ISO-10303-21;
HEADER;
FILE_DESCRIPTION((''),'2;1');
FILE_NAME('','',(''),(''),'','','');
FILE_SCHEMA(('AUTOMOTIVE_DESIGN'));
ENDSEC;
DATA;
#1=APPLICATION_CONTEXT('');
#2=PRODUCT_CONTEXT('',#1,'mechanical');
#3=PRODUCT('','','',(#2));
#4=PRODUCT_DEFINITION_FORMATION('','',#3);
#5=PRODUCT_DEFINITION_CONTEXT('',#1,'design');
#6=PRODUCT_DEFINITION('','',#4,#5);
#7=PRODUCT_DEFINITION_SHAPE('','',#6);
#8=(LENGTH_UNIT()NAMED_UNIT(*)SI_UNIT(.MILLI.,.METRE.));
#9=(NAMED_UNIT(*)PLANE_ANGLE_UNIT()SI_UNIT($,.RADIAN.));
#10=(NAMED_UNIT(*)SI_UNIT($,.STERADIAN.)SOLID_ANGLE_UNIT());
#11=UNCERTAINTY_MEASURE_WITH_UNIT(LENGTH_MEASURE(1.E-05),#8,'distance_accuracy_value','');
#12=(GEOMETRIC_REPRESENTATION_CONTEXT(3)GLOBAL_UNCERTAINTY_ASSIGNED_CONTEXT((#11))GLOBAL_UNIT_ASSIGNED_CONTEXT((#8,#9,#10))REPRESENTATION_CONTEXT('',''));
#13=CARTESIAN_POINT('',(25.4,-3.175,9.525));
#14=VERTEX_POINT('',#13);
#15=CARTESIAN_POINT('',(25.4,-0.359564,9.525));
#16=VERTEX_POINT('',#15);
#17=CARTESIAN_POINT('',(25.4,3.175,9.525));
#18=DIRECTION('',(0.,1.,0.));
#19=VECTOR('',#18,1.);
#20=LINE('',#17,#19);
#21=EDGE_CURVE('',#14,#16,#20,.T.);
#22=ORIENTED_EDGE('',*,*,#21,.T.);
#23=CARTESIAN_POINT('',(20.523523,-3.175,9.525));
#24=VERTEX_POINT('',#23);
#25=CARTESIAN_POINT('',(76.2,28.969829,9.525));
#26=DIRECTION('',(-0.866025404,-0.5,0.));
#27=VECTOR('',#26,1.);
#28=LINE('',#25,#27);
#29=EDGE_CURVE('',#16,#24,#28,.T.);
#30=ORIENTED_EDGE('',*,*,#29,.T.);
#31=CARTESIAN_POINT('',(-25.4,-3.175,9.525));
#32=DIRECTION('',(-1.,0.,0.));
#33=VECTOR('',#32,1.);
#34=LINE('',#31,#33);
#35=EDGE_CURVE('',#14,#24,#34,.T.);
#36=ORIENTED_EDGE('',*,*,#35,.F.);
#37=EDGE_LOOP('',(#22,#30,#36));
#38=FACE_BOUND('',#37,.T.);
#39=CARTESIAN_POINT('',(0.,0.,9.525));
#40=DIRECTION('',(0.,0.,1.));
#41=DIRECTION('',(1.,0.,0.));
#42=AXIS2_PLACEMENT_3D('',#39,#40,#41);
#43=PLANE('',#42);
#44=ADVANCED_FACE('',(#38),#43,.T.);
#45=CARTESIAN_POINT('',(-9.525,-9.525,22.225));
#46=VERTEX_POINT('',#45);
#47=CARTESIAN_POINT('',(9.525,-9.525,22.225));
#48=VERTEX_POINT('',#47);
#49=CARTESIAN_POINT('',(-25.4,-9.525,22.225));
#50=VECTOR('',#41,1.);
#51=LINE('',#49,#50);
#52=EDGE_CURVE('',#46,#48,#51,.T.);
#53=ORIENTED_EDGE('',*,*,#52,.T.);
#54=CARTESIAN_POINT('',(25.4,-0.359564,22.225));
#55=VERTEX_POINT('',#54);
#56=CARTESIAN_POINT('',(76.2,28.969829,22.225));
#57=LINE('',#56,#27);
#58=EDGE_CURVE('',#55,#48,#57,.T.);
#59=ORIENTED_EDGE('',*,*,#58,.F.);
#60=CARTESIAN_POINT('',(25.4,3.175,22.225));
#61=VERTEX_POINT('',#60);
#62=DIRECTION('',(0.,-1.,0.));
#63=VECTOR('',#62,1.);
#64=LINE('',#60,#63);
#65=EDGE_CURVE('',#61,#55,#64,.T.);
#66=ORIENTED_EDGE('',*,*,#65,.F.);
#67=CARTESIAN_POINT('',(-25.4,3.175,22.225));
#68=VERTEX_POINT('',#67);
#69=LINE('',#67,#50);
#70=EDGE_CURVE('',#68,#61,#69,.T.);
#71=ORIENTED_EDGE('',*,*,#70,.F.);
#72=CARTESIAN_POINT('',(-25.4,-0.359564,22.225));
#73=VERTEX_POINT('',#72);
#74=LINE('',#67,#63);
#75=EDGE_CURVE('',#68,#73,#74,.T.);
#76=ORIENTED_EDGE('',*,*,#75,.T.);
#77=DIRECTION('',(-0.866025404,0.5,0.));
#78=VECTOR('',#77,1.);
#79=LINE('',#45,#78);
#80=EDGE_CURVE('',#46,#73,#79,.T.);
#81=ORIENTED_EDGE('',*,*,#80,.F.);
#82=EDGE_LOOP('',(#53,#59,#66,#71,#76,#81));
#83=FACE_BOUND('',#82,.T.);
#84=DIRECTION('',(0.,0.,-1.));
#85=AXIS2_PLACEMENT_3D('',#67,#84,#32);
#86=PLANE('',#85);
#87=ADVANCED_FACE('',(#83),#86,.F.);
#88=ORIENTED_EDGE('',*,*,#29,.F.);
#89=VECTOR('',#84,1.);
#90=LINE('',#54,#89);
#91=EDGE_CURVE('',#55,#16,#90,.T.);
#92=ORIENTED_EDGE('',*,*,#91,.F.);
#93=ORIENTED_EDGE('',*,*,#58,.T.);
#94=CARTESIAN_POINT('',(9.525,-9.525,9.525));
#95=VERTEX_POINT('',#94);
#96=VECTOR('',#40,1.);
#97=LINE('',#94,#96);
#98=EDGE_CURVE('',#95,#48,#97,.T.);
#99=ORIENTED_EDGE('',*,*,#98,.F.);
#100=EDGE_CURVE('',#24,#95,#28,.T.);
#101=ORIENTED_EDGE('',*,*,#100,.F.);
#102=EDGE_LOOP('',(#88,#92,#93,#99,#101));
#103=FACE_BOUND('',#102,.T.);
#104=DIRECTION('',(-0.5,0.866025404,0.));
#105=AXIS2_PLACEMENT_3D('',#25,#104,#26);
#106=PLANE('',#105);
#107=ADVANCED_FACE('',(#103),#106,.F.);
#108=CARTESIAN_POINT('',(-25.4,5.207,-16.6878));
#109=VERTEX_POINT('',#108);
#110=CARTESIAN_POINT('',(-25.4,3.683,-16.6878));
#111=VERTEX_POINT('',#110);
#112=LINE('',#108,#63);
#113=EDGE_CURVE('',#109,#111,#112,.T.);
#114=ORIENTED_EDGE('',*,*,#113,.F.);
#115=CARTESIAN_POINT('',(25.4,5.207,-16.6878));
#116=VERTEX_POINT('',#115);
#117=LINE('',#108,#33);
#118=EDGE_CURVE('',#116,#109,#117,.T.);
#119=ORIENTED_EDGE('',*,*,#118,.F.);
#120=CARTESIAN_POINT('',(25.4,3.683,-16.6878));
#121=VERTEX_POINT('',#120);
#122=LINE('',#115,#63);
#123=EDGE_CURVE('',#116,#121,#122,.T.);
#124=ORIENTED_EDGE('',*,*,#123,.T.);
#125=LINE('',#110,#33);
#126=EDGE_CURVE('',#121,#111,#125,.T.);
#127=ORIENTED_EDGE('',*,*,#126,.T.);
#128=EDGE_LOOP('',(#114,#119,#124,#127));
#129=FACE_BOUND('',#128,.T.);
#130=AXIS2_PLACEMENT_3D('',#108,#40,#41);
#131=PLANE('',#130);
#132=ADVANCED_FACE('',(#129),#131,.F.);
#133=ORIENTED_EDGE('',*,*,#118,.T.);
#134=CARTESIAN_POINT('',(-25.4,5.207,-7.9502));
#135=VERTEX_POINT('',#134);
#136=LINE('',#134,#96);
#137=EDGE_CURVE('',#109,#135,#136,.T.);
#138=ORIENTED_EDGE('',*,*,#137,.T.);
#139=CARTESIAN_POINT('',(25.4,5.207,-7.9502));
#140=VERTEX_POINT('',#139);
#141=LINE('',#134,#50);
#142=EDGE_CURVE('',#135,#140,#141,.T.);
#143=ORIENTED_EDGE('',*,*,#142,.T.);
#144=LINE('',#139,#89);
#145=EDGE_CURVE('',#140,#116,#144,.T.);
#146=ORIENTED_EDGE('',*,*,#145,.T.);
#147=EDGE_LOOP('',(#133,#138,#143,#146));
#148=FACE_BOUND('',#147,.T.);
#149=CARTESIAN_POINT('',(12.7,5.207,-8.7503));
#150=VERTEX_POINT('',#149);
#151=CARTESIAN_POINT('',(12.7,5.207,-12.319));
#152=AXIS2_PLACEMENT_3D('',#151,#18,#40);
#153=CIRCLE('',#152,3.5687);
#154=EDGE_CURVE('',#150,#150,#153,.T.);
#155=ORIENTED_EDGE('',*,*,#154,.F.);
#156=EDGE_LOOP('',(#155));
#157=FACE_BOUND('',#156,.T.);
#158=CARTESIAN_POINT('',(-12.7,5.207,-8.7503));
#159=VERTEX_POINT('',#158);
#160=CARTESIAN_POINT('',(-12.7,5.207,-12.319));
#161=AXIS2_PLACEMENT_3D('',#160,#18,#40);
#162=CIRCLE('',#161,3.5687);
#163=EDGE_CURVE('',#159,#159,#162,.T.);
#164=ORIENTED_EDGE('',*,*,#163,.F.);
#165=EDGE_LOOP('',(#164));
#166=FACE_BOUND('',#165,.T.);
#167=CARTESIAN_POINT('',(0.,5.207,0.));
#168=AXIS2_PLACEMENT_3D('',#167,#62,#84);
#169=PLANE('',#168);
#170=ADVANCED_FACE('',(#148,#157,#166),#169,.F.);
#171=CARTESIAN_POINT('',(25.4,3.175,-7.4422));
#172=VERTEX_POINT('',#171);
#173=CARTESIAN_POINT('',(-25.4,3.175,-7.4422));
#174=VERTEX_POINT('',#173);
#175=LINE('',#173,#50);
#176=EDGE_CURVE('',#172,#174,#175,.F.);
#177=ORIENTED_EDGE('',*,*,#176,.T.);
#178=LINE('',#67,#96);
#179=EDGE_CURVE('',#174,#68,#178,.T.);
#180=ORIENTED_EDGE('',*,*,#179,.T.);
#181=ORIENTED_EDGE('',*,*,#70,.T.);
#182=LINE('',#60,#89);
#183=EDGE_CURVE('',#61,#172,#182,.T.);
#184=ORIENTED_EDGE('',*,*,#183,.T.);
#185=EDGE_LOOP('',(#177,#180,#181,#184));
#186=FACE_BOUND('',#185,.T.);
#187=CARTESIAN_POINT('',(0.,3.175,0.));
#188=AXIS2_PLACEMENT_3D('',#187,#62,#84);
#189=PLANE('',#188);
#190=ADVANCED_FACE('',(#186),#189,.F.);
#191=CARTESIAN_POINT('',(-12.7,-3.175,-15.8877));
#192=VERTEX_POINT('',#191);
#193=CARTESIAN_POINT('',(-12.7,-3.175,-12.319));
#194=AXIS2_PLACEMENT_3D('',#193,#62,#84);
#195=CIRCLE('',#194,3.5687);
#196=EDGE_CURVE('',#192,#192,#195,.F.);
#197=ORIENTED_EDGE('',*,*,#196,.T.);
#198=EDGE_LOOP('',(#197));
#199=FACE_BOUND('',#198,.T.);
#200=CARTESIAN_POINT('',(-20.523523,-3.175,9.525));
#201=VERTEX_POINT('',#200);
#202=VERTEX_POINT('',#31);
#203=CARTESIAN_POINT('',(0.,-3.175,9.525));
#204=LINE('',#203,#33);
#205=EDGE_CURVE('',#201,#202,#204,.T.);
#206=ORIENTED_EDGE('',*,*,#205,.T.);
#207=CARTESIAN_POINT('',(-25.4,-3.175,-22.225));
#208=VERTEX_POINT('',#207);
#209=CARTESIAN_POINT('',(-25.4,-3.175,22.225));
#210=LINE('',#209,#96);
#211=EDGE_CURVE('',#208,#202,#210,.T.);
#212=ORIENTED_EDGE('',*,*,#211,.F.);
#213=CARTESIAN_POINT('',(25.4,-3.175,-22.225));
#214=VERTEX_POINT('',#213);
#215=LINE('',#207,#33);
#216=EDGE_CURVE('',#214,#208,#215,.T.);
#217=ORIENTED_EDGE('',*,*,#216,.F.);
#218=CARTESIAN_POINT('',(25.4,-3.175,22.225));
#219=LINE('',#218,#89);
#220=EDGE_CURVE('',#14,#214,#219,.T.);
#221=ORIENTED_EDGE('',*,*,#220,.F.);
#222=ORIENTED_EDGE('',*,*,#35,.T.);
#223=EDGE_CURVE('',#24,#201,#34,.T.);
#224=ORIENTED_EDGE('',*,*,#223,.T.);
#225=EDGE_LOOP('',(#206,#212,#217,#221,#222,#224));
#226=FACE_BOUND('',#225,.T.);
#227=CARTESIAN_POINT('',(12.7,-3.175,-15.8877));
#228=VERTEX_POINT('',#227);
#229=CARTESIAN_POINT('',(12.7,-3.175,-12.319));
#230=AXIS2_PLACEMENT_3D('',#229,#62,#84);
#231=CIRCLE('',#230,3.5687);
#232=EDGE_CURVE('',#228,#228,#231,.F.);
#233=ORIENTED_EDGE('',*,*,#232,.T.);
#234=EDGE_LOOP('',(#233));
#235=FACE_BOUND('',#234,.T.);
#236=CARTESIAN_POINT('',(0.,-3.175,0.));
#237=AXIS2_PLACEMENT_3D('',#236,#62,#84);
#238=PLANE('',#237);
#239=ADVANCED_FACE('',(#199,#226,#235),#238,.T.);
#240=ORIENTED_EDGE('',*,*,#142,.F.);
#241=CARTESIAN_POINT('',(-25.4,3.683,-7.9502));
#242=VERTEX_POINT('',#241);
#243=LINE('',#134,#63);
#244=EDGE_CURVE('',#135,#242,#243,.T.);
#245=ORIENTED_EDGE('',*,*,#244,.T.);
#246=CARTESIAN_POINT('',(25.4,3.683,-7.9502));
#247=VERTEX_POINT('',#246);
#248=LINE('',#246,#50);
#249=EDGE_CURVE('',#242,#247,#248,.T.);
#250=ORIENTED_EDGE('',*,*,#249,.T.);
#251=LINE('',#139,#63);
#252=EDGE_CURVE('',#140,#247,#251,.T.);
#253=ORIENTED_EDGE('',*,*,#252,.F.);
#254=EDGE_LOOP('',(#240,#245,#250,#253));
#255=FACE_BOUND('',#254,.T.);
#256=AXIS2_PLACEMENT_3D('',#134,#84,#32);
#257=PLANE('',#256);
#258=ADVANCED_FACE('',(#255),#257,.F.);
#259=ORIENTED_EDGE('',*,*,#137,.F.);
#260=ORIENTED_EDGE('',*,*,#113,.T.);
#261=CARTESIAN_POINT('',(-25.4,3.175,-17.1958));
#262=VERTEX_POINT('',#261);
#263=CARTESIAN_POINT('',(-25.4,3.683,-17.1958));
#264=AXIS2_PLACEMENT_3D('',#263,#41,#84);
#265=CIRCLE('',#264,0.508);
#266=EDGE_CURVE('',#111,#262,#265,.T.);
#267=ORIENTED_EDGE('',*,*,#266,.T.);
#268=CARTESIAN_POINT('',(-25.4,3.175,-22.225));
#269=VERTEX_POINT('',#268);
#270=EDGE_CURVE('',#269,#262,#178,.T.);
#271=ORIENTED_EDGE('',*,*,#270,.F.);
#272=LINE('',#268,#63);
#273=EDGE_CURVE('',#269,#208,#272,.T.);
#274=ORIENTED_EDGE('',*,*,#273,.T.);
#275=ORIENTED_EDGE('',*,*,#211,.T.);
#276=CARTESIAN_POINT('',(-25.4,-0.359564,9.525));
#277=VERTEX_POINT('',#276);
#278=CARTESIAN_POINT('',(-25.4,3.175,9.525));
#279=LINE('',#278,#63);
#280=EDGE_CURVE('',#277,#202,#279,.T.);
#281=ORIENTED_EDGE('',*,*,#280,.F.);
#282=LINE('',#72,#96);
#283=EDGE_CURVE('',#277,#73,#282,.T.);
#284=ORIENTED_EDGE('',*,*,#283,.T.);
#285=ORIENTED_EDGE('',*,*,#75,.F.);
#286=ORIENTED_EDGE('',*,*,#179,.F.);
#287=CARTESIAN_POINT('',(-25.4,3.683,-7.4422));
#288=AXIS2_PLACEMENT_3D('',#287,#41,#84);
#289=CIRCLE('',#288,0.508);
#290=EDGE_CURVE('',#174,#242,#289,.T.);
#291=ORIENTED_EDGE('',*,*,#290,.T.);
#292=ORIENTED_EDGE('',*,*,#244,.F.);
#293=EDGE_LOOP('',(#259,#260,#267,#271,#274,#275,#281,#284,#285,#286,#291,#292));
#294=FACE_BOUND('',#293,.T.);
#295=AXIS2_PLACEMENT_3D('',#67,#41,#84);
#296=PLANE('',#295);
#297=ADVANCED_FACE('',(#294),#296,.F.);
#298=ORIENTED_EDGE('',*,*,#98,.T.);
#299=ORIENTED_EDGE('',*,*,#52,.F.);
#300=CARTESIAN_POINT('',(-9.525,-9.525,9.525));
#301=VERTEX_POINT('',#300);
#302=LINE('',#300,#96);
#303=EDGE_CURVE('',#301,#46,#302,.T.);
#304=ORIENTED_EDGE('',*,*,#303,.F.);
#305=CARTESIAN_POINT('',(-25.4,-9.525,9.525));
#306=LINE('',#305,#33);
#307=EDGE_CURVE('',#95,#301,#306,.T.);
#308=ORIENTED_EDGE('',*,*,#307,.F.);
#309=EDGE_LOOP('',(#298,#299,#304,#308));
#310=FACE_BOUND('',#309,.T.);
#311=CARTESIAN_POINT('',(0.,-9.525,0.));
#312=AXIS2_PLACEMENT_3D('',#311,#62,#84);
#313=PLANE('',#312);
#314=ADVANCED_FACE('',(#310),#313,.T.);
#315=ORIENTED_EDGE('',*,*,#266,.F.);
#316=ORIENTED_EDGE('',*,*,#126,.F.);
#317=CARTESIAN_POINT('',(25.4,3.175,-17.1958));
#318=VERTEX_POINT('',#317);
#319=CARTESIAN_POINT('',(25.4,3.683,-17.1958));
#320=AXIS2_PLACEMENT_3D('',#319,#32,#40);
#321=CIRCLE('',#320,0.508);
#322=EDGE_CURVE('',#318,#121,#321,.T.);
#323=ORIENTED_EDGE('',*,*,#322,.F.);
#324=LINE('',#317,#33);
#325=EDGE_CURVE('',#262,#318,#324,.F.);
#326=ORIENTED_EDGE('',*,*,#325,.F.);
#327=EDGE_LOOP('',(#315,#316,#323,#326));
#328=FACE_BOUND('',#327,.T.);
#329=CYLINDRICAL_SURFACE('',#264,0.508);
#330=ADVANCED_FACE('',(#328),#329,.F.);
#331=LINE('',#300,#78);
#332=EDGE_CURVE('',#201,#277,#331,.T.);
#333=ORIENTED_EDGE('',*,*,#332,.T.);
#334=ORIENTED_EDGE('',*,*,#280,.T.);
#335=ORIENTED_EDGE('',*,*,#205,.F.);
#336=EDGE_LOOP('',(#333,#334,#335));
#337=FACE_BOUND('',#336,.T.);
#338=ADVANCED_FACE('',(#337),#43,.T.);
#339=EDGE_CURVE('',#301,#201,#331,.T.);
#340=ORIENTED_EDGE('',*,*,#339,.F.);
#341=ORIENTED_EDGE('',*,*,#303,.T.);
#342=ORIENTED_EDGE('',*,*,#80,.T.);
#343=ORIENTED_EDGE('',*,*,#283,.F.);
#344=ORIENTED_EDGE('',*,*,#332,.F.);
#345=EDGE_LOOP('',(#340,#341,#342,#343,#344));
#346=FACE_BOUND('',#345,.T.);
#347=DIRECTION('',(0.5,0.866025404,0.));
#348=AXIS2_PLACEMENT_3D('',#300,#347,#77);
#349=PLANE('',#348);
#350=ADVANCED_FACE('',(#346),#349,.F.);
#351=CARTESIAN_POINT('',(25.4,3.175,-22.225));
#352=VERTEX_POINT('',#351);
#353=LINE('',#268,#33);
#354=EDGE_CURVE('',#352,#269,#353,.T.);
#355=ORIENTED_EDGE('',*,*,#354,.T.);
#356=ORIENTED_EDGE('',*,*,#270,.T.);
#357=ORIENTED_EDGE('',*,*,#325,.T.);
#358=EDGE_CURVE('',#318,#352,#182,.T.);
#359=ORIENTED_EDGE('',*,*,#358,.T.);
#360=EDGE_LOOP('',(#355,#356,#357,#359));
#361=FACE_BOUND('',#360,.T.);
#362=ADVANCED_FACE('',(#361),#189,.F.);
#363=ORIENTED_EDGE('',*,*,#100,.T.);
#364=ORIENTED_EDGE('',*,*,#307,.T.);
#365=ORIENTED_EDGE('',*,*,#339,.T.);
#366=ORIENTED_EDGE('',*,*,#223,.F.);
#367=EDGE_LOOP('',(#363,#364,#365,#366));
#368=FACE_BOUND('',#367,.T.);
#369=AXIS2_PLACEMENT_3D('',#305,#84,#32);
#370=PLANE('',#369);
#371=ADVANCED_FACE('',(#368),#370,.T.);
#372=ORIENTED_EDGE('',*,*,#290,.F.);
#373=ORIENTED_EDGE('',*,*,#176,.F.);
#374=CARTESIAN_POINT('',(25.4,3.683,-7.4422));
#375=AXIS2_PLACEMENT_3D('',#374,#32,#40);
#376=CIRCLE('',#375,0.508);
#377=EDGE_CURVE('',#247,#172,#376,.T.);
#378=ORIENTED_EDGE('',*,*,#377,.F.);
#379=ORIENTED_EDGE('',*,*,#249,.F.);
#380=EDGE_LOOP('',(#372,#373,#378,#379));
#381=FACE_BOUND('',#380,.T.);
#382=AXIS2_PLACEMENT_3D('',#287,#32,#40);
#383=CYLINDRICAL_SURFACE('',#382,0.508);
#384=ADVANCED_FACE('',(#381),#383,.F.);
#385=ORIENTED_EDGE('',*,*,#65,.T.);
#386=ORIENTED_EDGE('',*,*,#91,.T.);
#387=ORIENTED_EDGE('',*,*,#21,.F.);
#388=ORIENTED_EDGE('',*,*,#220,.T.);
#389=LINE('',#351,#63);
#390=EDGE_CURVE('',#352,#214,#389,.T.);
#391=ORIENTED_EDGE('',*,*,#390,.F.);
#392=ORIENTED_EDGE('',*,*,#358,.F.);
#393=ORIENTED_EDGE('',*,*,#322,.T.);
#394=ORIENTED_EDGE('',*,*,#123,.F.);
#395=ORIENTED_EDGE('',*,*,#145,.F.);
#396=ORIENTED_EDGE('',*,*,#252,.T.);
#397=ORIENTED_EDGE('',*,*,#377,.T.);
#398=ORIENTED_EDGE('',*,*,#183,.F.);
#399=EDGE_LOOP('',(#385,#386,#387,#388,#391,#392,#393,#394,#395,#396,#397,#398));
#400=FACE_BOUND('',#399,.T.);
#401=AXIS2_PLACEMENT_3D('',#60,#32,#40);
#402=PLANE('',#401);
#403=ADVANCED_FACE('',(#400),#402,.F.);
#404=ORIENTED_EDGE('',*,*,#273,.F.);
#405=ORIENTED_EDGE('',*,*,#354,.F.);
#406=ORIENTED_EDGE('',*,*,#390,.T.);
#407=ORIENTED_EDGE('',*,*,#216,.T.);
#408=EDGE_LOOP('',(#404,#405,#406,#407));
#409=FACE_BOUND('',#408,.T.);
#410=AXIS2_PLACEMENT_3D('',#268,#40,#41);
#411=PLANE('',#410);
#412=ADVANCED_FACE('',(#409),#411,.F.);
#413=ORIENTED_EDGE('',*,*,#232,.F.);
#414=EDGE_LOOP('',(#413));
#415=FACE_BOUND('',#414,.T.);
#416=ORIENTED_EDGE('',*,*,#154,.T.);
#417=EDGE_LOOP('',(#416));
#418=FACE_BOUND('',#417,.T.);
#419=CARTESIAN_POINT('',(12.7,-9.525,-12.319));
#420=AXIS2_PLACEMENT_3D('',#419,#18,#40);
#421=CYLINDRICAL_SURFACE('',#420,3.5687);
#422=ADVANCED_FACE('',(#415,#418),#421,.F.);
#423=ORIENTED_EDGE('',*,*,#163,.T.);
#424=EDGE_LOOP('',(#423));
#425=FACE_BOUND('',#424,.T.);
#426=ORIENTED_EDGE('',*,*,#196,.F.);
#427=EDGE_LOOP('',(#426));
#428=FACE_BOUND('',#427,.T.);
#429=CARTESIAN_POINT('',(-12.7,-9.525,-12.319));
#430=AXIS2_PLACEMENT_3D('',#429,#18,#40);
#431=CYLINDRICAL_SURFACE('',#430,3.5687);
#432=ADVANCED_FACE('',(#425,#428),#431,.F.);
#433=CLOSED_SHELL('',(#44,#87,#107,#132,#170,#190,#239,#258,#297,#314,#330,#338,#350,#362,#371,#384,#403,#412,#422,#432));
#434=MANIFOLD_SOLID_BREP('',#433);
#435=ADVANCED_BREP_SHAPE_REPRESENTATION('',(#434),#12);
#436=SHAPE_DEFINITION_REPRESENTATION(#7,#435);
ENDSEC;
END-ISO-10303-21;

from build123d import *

# Parameters (mm, degrees)
SKETCH1_W           = 50.8
SKETCH1_H           = 44.45
BOSS_EXTRUDE1_DEPTH = 3.175
BOSS_EXTRUDE2_START = -3.175
SKETCH2_W           = 50.8
SKETCH2_H           = 12.7
BOSS_EXTRUDE2_DEPTH = 6.35
BOSS_EXTRUDE3_START = 3.175
SKETCH3_W           = 50.8
SKETCH3_H           = 8.7376
BOSS_EXTRUDE3_DEPTH = 2.032
CUT_EXTRUDE2_START  = 22.225
CUT_EXTRUDE2_DEPTH  = 12.7
CUT_EXTRUDE4_START  = 22.225
CUT_EXTRUDE4_DEPTH  = 12.7
CUT_EXTRUDE6_START  = 5.207
SKETCH6_R           = 3.5687
CUT_EXTRUDE6_DEPTH  = 9.525
FILLET1_R           = 0.508


with BuildPart() as part:
    # Sketch1 → Boss-Extrude1 (new, symmetric)
    with BuildSketch(Plane(origin=(0, 0, 0), x_dir=(1, 0, 0), z_dir=(0, 1, 0))):
        Rectangle(SKETCH1_W, SKETCH1_H)
    extrude(amount=BOSS_EXTRUDE1_DEPTH, both=True)

    # Sketch2 → Boss-Extrude2 (add)
    with BuildSketch(Plane(origin=(0, 0, 0), x_dir=(1, 0, 0), z_dir=(0, 1, 0)).offset(BOSS_EXTRUDE2_START)):
        with Locations((0, -15.875)):
            Rectangle(SKETCH2_W, SKETCH2_H)
    extrude(amount=-BOSS_EXTRUDE2_DEPTH)

    # Sketch3 → Boss-Extrude3 (add)
    with BuildSketch(Plane(origin=(0, 0, 0), x_dir=(1, 0, 0), z_dir=(0, 1, 0)).offset(BOSS_EXTRUDE3_START)):
        with Locations((0, 12.319)):
            Rectangle(SKETCH3_W, SKETCH3_H)
    extrude(amount=BOSS_EXTRUDE3_DEPTH)

    # Sketch4 → Cut-Extrude2 (cut)
    with BuildSketch(Plane.XY.offset(CUT_EXTRUDE2_START)):
        Polygon((-76.2, -22.225), (-9.525, -22.225), (-9.525, -9.525), (-76.2, 28.969829198), align=None)
    extrude(amount=-CUT_EXTRUDE2_DEPTH, mode=Mode.SUBTRACT)

    # Sketch5 → Cut-Extrude4 (cut)
    with BuildSketch(Plane.XY.offset(CUT_EXTRUDE4_START)):
        Polygon((9.525, -22.225), (76.2, -22.225), (76.2, 28.969829198), (9.525, -9.525), align=None)
    extrude(amount=-CUT_EXTRUDE4_DEPTH, mode=Mode.SUBTRACT)

    # Sketch6 → Cut-Extrude6 (cut)
    with BuildSketch(Plane(origin=(0, 0, 0), x_dir=(1, 0, 0), z_dir=(0, 1, 0)).offset(CUT_EXTRUDE6_START)):
        with Locations(Location((-12.7, 12.319, 0), (0, 0, 270))):
            Circle(SKETCH6_R)
        with Locations(Location((12.7, 12.319, 0), (0, 0, 270))):
            Circle(SKETCH6_R)
    extrude(amount=-CUT_EXTRUDE6_DEPTH, mode=Mode.SUBTRACT)

    # Fillet1
    fillet1_edges = [part.edges().sort_by_distance(p)[0] for p in [
        (0, 3.175, -7.9502),
        (0, 3.175, -16.6878),
    ]]
    fillet(fillet1_edges, radius=FILLET1_R)


solid = part.part
